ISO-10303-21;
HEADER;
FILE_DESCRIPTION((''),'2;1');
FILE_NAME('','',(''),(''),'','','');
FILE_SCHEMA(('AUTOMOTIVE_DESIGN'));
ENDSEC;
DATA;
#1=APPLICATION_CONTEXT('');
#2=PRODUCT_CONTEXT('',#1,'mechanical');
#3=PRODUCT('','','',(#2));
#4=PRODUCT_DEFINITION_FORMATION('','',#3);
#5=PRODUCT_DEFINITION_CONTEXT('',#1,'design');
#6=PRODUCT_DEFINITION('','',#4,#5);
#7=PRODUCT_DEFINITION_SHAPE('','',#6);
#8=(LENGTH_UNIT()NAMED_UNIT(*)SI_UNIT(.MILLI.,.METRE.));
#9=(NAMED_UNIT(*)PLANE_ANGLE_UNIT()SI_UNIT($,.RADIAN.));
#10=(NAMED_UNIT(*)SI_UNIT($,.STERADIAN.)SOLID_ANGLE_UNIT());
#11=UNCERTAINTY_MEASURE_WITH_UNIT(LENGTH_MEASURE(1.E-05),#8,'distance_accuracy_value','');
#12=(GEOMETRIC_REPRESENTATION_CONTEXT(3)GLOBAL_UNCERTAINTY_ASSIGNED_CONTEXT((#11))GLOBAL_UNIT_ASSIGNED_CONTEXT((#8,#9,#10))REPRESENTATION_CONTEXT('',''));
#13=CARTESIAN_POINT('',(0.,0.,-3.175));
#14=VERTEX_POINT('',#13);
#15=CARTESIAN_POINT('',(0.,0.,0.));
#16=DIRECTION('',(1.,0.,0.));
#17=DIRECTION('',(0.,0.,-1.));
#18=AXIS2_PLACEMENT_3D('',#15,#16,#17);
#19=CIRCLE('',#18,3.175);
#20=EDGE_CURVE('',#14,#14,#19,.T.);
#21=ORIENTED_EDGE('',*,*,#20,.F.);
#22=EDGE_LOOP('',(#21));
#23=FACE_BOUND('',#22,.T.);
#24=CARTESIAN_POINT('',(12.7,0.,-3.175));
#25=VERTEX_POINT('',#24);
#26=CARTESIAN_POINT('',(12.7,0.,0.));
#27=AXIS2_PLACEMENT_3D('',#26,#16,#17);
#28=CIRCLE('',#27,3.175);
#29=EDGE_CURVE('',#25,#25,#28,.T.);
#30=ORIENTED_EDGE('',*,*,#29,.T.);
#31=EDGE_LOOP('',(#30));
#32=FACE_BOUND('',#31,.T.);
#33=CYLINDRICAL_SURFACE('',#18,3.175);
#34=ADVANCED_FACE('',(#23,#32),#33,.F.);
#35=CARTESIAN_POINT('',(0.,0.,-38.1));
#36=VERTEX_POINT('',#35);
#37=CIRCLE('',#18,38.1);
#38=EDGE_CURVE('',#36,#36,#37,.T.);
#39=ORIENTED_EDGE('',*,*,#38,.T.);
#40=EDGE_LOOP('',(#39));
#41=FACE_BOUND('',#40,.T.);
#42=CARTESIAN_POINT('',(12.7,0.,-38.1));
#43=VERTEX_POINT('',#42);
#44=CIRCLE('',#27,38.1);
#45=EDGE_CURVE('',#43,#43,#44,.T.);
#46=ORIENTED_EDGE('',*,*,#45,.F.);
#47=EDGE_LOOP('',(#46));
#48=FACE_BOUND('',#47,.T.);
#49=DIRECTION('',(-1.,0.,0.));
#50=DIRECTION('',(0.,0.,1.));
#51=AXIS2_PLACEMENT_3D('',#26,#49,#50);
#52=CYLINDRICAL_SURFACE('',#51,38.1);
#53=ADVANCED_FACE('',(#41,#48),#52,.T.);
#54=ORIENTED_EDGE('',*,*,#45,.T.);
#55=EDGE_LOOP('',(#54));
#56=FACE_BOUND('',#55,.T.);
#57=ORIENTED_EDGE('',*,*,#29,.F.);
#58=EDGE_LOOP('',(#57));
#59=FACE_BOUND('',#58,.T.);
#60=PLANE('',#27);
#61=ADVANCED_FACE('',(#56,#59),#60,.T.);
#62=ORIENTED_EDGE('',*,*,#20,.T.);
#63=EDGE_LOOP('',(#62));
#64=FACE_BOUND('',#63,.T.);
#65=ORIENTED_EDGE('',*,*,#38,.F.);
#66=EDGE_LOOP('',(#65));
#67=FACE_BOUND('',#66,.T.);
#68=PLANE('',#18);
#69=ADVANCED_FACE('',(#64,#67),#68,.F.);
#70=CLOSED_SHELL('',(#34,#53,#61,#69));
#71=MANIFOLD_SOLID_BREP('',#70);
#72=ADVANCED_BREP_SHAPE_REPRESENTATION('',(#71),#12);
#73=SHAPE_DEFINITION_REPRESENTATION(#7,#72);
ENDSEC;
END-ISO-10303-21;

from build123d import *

# Parameters (mm, degrees)
SKETCH1_R           = 38.1
BOSS_EXTRUDE1_DEPTH = 12.7
SKETCH2_R           = 3.175
CUT_EXTRUDE1_DEPTH  = 12.7


with BuildPart() as part:
    # Sketch1 → Boss-Extrude1 (new body)
    with BuildSketch(Plane(origin=(0, 0, 0), x_dir=(0, 0, -1), z_dir=(1, 0, 0))):
        Circle(SKETCH1_R)
    extrude(amount=BOSS_EXTRUDE1_DEPTH)

    # Sketch2 → Cut-Extrude1 (cut)
    with BuildSketch(Plane(origin=(12.7, 0, 0), x_dir=(0, 0, -1), z_dir=(1, 0, 0))):
        Circle(SKETCH2_R)
    extrude(amount=-CUT_EXTRUDE1_DEPTH, mode=Mode.SUBTRACT)


solid = part.part
